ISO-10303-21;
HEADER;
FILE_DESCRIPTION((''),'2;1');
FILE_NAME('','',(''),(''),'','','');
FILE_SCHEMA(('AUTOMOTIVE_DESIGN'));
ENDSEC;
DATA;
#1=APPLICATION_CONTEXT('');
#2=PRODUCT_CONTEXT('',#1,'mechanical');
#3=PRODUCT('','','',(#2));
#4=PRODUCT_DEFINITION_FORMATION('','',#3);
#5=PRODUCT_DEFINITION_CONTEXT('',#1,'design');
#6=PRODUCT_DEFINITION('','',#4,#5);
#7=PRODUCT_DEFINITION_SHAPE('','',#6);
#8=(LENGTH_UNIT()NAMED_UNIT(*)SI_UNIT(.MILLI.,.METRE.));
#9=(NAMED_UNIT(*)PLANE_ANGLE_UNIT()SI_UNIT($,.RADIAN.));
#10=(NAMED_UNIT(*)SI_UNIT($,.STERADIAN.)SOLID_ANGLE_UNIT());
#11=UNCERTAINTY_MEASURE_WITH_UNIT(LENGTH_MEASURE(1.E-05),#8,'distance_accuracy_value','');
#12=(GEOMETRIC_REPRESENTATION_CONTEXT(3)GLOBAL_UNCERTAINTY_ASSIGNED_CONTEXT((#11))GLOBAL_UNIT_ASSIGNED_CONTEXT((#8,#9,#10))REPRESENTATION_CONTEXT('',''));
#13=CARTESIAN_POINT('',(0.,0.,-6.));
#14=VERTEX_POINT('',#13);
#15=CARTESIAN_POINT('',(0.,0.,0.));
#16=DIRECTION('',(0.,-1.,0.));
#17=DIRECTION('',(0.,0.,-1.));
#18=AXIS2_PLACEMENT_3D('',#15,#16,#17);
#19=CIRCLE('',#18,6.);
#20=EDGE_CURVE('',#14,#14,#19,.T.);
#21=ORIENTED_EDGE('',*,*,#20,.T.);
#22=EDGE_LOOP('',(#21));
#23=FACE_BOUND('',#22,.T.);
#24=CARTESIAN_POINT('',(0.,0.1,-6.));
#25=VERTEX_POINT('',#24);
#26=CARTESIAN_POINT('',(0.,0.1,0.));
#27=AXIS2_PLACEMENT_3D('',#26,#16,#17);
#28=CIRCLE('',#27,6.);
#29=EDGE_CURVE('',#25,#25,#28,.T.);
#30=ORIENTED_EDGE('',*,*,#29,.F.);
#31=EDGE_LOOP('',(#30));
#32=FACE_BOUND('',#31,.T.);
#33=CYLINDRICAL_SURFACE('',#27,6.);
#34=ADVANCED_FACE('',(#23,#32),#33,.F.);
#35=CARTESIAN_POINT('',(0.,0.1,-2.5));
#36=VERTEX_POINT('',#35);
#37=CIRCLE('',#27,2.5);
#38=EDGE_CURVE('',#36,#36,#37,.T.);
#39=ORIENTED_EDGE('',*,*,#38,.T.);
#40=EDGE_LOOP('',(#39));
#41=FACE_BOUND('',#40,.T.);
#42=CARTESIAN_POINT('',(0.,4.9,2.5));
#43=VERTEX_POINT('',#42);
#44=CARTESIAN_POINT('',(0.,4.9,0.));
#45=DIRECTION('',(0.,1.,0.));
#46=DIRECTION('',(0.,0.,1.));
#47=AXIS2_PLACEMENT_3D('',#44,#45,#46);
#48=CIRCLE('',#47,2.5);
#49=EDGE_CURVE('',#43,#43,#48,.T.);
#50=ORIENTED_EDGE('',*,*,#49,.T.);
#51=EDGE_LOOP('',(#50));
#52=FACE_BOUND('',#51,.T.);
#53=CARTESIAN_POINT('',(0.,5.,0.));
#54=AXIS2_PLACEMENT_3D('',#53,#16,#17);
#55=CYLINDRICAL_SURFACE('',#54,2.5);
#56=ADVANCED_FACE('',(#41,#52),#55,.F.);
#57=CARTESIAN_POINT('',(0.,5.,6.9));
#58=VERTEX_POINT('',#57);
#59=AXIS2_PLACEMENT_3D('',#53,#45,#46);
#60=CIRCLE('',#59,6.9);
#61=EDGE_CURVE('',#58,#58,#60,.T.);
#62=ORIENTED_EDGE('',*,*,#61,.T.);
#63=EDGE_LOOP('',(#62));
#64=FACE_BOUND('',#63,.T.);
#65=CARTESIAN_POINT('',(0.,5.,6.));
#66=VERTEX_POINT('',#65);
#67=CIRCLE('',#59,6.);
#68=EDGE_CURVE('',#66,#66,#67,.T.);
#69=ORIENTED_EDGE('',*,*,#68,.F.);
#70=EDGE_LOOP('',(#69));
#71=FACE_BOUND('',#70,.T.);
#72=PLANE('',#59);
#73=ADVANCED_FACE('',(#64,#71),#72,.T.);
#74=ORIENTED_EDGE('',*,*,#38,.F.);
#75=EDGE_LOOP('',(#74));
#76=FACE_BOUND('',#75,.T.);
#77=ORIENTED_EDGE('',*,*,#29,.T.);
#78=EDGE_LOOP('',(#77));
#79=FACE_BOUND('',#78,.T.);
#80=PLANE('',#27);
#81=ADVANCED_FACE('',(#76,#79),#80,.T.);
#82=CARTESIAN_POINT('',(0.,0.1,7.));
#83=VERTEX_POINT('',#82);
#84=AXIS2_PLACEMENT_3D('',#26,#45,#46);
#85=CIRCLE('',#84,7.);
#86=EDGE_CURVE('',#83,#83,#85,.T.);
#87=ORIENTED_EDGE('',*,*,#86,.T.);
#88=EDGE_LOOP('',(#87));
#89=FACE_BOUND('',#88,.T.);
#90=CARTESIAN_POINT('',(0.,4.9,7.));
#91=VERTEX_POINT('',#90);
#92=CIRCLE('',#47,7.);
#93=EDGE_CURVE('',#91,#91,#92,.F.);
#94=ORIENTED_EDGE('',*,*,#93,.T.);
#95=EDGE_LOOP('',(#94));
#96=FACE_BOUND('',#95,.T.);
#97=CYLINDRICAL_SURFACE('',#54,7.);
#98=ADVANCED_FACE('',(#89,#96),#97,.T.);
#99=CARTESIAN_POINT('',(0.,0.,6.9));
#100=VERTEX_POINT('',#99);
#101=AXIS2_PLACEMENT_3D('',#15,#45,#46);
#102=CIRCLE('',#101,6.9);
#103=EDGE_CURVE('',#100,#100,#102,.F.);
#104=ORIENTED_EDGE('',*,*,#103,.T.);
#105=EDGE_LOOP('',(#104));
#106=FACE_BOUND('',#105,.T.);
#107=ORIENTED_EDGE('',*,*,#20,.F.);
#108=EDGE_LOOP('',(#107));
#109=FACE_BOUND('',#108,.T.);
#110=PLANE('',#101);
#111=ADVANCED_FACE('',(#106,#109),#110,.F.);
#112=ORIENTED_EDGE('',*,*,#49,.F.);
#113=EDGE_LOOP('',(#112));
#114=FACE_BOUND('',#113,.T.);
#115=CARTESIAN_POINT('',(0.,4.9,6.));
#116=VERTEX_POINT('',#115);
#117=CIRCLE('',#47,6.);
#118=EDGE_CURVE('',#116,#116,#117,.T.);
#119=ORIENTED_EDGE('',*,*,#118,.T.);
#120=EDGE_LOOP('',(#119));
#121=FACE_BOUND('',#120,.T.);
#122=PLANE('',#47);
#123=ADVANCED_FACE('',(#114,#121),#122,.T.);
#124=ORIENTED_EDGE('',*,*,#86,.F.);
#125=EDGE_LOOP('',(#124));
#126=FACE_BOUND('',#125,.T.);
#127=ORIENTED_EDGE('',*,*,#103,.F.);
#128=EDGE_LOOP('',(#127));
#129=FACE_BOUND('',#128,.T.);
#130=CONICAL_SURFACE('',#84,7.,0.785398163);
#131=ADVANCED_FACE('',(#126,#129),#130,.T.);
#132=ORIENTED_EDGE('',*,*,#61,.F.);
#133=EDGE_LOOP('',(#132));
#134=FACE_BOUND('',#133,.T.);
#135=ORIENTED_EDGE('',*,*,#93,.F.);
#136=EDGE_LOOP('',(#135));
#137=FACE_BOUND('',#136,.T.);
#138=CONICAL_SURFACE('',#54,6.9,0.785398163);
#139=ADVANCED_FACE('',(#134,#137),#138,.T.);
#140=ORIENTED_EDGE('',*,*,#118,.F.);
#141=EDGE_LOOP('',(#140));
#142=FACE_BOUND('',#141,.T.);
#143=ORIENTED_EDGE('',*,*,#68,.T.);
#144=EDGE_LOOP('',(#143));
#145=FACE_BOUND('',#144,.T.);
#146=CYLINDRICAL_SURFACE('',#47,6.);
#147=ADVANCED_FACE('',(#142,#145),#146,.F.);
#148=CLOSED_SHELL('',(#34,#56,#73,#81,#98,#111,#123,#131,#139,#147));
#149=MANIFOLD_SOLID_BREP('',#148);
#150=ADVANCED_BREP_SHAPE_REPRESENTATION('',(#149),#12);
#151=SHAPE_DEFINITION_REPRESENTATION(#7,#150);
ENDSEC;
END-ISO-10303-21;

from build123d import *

# Parameters (mm, degrees)
SKETCH1_R           = 7
SKETCH1_R_2         = 2.5
BOSS_EXTRUDE1_DEPTH = 5
SKETCH2_R           = 6
CUT_EXTRUDE1_DEPTH  = 0.1
SKETCH3_R           = 6
CUT_EXTRUDE2_DEPTH  = 0.1
CHAMFER1_SIZE       = 0.1


with BuildPart() as part:
    # Sketch1 → Boss-Extrude1 (new body)
    with BuildSketch(Plane(origin=(0, 0, 0), x_dir=(1, 0, 0), z_dir=(0, 1, 0))):
        Circle(SKETCH1_R)
        Circle(SKETCH1_R_2, mode=Mode.SUBTRACT)
    extrude(amount=BOSS_EXTRUDE1_DEPTH)

    # Sketch2 → Cut-Extrude1 (cut)
    with BuildSketch(Plane(origin=(0, 5, 0), x_dir=(1, 0, 0), z_dir=(0, 1, 0))):
        Circle(SKETCH2_R)
    extrude(amount=-CUT_EXTRUDE1_DEPTH, mode=Mode.SUBTRACT)

    # Sketch3 → Cut-Extrude2 (cut)
    with BuildSketch(Plane.XZ):
        Circle(SKETCH3_R)
    extrude(amount=-CUT_EXTRUDE2_DEPTH, mode=Mode.SUBTRACT)

    # Chamfer1
    chamfer1_edges = [part.edges().sort_by_distance(p)[0] for p in [
        (-7, 0, 0),
        (-7, 5, 0),
    ]]
    chamfer(chamfer1_edges, length=CHAMFER1_SIZE)


solid = part.part
